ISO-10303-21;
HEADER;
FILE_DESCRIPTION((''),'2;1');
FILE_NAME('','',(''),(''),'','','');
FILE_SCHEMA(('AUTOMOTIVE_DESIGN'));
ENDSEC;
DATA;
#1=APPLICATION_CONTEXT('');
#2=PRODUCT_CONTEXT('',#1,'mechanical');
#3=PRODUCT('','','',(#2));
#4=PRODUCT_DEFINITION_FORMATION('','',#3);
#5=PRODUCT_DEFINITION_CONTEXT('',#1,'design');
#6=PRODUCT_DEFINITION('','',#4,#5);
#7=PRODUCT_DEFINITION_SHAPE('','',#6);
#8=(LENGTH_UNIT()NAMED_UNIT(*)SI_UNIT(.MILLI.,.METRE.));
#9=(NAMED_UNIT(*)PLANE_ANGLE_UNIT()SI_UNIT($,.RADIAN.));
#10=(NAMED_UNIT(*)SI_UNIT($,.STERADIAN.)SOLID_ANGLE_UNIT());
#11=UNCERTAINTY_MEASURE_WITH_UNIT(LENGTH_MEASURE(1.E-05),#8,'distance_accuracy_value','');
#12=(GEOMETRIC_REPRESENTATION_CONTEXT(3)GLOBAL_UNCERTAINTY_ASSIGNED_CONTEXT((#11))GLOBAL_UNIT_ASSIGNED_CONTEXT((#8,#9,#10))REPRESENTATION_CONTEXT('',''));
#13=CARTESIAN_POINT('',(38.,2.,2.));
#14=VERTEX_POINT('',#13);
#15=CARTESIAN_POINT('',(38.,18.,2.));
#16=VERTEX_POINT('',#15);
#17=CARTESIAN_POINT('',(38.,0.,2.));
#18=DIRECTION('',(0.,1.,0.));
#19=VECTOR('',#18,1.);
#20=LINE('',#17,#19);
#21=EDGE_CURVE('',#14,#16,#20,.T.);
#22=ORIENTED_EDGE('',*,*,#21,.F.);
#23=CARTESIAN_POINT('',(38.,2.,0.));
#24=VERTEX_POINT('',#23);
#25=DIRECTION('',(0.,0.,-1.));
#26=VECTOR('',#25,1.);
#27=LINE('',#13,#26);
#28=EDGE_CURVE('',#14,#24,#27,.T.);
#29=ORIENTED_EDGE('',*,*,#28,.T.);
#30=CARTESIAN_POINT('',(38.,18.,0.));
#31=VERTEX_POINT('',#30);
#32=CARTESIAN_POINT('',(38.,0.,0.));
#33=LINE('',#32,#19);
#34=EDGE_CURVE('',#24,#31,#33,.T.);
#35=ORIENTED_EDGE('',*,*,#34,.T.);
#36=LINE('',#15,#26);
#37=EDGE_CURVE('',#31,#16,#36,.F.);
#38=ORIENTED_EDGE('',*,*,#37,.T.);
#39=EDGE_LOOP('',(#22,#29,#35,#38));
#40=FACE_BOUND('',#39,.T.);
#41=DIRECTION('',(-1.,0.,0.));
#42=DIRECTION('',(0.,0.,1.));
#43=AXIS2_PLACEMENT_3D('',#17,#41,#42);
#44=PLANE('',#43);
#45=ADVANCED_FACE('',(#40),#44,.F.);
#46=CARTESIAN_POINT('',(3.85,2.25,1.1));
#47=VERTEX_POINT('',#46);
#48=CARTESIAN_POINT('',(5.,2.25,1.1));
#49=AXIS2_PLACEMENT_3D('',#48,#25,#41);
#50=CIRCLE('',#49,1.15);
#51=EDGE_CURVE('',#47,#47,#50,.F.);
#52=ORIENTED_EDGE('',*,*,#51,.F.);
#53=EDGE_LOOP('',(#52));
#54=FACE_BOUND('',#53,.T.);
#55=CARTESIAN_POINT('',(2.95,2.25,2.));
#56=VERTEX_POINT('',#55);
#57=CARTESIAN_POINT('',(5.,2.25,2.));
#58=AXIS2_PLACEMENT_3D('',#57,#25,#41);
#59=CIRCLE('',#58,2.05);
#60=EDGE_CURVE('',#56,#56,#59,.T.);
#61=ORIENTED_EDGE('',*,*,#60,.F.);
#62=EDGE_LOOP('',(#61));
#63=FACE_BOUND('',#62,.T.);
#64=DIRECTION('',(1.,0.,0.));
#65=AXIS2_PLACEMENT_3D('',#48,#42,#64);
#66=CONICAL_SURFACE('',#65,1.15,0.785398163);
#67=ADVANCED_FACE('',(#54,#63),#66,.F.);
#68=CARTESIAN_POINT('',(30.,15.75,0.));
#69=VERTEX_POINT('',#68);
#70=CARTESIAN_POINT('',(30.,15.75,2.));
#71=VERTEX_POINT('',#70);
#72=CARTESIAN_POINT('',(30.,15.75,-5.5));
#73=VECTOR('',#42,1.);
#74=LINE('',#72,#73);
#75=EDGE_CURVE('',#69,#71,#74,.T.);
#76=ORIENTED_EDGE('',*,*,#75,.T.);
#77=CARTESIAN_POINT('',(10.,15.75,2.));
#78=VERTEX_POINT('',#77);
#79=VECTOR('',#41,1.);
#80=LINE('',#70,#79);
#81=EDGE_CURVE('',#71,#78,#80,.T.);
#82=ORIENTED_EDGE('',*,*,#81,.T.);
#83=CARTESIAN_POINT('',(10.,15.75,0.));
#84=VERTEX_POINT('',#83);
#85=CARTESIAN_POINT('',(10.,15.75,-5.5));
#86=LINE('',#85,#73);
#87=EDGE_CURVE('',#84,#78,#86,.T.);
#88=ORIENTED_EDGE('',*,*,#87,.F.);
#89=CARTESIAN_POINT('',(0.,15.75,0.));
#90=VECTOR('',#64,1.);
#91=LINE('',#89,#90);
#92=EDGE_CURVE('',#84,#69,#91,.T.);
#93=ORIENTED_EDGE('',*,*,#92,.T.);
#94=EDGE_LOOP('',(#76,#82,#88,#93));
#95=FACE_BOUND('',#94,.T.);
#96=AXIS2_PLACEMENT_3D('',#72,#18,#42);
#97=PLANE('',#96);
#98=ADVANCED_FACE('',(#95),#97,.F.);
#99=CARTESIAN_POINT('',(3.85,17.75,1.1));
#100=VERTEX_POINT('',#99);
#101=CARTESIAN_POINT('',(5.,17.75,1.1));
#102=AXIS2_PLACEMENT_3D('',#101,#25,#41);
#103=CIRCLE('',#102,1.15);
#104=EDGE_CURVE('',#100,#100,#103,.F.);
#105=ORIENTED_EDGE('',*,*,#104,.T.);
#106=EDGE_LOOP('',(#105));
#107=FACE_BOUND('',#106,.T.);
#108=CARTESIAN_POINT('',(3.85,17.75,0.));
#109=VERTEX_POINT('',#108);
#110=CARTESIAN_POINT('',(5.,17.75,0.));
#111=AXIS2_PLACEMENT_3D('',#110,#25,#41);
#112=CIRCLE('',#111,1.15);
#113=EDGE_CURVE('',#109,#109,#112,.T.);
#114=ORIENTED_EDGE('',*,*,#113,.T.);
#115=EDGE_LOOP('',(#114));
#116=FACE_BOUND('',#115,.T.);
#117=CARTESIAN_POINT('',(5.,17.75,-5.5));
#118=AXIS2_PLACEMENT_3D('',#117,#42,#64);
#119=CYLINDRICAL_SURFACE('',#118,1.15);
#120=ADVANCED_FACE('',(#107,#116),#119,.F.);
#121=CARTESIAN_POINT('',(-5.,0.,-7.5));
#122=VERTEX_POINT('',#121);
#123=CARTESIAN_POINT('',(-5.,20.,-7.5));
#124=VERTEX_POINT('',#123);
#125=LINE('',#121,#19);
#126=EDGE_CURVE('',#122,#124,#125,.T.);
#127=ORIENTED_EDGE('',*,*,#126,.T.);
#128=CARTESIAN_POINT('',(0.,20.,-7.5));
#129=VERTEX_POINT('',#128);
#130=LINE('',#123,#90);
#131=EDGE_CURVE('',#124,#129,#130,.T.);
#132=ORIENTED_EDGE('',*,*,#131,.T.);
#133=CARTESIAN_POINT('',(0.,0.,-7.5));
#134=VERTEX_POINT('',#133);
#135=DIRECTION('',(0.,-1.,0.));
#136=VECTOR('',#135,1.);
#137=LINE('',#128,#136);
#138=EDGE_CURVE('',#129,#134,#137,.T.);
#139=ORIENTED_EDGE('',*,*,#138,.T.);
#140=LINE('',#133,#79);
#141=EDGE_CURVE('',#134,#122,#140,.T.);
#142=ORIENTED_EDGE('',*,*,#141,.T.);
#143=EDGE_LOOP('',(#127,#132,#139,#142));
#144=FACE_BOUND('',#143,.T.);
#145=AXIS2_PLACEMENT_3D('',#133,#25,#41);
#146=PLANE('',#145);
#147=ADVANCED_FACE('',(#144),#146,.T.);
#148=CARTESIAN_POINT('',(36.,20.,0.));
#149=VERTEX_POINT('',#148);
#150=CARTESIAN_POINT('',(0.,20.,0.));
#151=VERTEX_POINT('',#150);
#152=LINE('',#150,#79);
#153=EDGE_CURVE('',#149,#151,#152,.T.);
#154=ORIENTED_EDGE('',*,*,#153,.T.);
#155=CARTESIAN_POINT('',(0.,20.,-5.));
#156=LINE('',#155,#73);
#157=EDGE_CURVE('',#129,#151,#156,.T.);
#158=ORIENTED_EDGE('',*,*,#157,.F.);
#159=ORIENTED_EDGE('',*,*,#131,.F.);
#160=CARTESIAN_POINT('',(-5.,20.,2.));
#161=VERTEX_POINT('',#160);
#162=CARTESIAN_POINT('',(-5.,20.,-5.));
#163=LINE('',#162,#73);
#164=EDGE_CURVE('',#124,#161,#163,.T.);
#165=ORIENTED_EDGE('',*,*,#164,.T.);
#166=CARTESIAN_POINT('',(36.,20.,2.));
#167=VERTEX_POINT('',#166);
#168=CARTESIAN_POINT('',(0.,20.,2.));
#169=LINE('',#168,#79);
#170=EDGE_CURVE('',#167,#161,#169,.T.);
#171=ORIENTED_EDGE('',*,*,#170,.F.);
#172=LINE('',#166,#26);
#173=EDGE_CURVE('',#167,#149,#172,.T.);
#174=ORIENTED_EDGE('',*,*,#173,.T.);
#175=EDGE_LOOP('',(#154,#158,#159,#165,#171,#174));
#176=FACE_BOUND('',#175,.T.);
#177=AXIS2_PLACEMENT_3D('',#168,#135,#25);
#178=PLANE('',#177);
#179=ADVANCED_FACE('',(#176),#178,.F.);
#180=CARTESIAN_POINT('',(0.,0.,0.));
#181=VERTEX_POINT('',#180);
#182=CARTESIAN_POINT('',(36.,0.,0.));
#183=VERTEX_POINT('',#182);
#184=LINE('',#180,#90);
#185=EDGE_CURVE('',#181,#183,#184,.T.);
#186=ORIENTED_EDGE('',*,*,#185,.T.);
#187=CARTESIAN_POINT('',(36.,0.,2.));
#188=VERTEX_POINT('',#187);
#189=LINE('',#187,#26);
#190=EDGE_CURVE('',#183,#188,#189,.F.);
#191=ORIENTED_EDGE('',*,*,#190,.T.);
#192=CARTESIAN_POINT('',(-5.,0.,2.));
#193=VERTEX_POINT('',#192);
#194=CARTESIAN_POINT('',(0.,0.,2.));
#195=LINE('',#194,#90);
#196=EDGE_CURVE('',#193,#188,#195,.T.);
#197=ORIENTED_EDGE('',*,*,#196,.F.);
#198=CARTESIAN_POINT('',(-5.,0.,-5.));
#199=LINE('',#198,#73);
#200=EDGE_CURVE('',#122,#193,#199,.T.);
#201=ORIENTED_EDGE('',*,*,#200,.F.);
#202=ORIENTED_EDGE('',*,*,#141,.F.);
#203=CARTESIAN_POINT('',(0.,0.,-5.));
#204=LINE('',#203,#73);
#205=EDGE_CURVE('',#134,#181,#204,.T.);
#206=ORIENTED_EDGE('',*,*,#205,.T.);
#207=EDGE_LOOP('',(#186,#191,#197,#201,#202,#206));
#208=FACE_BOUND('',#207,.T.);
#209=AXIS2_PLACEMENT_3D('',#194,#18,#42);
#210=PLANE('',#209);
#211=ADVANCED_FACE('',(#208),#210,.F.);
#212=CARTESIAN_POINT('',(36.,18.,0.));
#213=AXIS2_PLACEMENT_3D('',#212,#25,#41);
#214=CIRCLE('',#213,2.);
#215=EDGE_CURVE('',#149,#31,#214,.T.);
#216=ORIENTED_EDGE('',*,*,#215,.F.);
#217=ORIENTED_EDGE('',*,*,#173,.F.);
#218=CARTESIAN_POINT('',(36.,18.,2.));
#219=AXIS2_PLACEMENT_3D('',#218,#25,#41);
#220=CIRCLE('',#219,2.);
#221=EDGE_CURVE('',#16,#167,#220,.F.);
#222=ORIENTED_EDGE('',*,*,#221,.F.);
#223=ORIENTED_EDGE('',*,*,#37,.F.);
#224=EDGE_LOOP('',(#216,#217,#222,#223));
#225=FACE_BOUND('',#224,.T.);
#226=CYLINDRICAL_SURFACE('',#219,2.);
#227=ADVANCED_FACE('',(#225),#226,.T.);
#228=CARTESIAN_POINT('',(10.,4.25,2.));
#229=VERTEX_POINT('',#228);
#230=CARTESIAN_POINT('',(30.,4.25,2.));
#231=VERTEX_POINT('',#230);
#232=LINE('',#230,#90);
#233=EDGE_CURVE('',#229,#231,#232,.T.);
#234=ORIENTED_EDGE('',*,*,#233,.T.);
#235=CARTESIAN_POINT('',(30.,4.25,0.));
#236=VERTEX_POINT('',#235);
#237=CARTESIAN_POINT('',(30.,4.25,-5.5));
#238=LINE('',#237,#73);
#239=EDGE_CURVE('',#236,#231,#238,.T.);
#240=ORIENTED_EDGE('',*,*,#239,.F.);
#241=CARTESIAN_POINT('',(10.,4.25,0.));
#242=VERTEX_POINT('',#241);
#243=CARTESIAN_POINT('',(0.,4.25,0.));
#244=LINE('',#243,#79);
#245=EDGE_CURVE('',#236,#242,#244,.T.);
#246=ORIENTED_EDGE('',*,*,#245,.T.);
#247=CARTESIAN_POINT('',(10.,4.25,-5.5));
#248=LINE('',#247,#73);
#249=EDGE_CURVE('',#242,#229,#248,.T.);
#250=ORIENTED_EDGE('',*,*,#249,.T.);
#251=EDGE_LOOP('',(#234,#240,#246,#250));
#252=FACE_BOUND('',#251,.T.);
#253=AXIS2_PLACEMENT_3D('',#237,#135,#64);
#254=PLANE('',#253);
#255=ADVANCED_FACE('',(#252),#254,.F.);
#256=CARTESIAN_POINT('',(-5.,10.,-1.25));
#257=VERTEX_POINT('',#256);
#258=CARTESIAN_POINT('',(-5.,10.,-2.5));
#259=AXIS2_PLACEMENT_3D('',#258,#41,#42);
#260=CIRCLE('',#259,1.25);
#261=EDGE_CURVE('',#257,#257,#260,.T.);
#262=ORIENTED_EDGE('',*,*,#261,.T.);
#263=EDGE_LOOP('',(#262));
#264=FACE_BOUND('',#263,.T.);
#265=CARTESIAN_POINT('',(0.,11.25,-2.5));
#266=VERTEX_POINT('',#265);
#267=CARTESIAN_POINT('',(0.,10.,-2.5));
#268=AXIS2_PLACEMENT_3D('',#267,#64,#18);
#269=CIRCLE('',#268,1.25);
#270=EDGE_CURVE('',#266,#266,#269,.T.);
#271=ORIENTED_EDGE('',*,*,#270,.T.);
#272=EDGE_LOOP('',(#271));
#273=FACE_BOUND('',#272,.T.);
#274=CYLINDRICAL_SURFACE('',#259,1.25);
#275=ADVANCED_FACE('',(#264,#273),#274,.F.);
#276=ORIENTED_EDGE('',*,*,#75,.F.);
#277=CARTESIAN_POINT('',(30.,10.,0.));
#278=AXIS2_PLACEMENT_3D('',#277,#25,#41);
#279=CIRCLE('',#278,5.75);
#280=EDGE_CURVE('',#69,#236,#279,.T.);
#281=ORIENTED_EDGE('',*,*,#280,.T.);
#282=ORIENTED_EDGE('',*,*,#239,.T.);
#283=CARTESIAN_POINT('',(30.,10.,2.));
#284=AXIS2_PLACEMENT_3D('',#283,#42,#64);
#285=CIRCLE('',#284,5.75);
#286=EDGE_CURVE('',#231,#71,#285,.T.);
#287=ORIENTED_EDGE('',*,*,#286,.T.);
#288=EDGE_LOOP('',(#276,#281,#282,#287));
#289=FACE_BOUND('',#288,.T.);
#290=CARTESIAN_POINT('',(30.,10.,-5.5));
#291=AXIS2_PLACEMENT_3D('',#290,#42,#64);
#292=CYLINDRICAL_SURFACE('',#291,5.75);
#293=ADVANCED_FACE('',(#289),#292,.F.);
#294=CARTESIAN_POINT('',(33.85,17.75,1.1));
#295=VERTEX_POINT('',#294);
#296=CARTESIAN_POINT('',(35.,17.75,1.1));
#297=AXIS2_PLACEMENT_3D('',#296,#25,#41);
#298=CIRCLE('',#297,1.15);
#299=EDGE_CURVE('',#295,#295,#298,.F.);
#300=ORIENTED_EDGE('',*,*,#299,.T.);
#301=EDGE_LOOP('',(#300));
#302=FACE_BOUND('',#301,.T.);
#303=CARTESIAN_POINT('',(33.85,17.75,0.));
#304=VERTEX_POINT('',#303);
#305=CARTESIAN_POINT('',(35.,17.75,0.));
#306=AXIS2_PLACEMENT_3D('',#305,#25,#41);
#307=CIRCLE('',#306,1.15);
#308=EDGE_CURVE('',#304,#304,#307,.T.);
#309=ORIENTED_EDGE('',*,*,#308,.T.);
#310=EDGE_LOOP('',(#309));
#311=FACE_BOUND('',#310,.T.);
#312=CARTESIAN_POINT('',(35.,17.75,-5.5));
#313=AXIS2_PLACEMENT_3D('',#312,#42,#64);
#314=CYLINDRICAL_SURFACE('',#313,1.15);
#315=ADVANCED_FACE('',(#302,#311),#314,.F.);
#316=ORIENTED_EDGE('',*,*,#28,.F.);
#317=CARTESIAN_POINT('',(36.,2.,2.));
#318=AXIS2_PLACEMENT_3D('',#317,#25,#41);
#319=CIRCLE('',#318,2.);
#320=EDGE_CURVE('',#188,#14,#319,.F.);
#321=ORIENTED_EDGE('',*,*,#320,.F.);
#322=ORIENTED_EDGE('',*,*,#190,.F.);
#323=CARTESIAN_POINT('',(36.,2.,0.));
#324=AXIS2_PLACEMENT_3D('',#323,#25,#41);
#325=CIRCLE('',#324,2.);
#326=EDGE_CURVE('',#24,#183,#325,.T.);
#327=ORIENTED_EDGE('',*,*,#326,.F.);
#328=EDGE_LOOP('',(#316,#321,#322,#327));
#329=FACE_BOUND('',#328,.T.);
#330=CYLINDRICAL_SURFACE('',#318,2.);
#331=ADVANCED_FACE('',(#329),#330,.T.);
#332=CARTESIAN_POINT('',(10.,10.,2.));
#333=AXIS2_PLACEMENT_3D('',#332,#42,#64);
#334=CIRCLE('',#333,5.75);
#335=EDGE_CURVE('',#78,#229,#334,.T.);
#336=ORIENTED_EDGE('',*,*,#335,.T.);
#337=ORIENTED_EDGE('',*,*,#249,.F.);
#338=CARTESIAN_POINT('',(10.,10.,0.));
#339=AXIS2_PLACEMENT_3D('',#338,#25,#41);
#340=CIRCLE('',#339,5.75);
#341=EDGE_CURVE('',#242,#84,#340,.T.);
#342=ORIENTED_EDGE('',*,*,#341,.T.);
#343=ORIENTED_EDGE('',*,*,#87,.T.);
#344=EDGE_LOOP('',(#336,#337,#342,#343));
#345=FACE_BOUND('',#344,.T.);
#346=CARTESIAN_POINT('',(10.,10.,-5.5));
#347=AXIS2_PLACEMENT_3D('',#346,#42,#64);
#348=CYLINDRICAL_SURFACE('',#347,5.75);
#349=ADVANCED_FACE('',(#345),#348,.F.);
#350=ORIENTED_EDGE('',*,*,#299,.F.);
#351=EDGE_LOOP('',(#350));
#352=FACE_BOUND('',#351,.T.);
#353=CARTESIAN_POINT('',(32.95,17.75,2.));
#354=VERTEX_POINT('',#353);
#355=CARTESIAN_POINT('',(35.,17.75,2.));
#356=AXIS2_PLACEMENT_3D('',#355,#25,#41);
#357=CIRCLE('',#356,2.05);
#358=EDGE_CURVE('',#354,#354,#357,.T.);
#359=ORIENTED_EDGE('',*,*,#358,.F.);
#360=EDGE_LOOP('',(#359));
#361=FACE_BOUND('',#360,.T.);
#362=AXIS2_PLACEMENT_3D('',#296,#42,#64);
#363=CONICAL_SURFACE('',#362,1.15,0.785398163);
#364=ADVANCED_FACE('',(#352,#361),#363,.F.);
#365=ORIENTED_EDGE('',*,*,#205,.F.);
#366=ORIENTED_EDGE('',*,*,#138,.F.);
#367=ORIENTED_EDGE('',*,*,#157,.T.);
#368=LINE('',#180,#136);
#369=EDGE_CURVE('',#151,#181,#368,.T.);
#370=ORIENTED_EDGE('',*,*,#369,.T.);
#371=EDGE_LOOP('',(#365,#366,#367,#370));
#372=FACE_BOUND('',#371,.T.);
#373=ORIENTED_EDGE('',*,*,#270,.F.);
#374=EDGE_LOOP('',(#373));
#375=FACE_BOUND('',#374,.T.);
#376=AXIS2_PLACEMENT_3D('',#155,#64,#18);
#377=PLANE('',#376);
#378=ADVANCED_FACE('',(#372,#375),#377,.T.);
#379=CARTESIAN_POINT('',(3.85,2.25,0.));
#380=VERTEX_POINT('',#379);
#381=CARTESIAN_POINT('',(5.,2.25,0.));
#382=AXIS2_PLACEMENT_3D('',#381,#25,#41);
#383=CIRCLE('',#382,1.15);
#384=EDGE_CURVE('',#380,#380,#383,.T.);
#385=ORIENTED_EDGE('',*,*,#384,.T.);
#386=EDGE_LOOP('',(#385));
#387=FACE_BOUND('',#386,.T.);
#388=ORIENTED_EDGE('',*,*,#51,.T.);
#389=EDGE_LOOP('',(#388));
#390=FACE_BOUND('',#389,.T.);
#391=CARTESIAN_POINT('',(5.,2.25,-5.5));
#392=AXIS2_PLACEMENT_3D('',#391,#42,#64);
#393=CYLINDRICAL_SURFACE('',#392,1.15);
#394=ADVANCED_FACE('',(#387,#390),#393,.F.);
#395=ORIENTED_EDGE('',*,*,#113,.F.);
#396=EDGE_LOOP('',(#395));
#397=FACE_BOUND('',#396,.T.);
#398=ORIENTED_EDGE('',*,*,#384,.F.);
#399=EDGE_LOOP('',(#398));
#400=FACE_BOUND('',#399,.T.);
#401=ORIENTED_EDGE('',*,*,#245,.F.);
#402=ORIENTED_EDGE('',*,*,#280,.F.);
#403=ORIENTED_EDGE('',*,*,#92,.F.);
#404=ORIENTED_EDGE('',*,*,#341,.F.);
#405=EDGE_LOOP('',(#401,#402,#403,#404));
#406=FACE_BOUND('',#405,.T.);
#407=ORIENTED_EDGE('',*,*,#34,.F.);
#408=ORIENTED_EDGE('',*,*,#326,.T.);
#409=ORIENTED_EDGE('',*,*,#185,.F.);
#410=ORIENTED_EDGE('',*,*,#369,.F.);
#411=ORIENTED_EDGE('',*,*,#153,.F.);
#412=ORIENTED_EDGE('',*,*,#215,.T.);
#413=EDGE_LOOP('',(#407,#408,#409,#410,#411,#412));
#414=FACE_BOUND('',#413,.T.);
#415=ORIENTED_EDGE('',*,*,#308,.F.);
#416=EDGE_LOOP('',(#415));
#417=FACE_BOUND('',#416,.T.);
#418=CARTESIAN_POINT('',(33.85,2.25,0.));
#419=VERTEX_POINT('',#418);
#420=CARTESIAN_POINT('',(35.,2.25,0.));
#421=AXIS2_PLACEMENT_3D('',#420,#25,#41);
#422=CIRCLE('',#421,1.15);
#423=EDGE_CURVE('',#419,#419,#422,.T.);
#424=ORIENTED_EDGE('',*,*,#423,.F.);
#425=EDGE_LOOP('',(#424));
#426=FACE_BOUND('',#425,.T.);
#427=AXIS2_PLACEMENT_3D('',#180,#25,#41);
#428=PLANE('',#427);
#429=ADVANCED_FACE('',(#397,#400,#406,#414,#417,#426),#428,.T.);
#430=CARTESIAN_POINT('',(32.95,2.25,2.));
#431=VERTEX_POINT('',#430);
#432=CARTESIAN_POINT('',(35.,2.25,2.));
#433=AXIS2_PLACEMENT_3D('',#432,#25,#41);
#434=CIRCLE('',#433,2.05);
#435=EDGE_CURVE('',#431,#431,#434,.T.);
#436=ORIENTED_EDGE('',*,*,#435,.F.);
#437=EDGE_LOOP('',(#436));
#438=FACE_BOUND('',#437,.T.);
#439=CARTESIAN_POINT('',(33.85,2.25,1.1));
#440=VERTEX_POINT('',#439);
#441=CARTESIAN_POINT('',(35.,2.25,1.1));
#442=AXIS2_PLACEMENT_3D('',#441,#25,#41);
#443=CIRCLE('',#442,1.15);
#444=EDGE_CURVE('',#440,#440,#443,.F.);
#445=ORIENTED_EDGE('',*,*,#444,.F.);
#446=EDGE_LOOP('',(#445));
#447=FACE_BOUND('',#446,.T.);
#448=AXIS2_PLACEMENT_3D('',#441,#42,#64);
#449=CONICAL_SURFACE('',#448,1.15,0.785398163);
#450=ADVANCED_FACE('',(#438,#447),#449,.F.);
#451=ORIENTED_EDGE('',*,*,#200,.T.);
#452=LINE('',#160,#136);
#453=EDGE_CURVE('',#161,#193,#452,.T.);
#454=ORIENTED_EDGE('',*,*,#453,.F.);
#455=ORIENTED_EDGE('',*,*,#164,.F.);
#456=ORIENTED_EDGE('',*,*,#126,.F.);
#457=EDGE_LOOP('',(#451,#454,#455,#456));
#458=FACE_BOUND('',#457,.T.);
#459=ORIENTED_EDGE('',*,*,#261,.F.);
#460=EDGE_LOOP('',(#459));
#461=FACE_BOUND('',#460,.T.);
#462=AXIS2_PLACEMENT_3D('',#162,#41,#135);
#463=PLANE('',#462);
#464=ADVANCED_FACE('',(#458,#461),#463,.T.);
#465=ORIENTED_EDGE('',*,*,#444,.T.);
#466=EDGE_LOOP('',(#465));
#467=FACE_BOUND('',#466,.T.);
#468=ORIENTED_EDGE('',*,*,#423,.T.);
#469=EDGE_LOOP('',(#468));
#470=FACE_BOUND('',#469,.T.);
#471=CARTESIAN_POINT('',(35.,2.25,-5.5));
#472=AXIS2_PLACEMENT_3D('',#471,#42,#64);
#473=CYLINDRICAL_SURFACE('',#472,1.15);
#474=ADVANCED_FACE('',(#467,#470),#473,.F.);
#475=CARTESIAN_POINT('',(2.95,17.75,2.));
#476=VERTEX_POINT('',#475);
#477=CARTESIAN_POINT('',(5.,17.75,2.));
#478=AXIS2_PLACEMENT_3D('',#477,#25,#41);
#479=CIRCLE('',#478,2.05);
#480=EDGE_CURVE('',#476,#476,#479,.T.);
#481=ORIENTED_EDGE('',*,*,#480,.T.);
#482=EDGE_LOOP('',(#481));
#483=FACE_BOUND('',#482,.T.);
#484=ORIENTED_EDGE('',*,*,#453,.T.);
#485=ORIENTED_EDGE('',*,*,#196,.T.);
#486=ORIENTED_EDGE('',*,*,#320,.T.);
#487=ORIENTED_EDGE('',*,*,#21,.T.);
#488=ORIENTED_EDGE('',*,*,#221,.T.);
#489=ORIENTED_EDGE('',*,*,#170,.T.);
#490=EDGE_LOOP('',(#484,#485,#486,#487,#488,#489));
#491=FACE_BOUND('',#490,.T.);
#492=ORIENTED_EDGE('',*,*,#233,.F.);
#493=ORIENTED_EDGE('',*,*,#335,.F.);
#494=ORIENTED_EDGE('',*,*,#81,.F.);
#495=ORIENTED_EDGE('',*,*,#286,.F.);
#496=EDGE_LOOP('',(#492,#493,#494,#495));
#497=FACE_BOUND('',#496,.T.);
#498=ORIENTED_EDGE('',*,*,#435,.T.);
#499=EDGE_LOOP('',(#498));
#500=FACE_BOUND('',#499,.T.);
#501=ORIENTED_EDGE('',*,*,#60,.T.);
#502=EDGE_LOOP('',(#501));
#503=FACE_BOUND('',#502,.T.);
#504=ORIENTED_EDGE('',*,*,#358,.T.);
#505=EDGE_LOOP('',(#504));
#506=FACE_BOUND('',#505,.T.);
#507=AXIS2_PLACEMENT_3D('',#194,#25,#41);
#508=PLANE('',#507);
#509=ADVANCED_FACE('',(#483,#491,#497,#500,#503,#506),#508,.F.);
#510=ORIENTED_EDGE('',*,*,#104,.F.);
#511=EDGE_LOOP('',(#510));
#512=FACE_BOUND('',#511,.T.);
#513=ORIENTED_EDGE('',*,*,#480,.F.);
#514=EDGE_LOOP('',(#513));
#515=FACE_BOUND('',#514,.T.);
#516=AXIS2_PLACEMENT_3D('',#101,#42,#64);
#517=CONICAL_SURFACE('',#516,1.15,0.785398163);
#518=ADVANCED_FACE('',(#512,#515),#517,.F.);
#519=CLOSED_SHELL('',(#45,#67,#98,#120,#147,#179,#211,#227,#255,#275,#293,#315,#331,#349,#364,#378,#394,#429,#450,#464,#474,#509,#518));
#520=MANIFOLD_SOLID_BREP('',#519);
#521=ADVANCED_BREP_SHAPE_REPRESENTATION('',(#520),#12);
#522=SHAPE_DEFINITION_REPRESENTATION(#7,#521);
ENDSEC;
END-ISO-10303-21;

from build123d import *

# Parameters (mm, degrees)
SKETCH1_W           = 38
SKETCH1_H           = 20
BOSS_EXTRUDE1_DEPTH = 2
SKETCH2_W           = 5
SKETCH2_H           = 20
BOSS_EXTRUDE2_DEPTH = 7
M3_TAPPED_HOLE1_D   = 2.5
SKETCH7_R           = 1.15
CUT_EXTRUDE1_DEPTH  = 7.5
CUT_EXTRUDE2_DEPTH  = 7.5
SKETCH9_W           = 5
SKETCH9_H           = 20
BOSS_EXTRUDE3_DEPTH = 2.5
FILLET1_R           = 2
CHAMFER1_SIZE       = 0.9


with BuildPart() as part:
    # Sketch1 → Boss-Extrude1 (new body)
    with BuildSketch(Plane.XY):
        with Locations((19, 10)):
            Rectangle(SKETCH1_W, SKETCH1_H)
    extrude(amount=BOSS_EXTRUDE1_DEPTH)

    # Sketch2 → Boss-Extrude2 (add)
    with BuildSketch(Plane.XY.offset(2)):
        with Locations((-2.5, 10)):
            Rectangle(SKETCH2_W, SKETCH2_H)
    extrude(amount=-BOSS_EXTRUDE2_DEPTH)

    # M3 Tapped Hole1 (through all)
    with Locations(Plane(origin=(-5, 10, -2.5), x_dir=(0, -1, 0), z_dir=(-1, 0, 0))):
        with Locations((0, 0)):
            Hole(M3_TAPPED_HOLE1_D / 2)

    # Sketch7 → Cut-Extrude1 (cut)
    with BuildSketch(Plane.XY.offset(2)):
        with Locations((35, 17.75)):
            Circle(SKETCH7_R)
        with Locations((5, 17.75)):
            Circle(SKETCH7_R)
        with Locations((35, 2.25)):
            Circle(SKETCH7_R)
        with Locations((5, 2.25)):
            Circle(SKETCH7_R)
    extrude(amount=-CUT_EXTRUDE1_DEPTH, mode=Mode.SUBTRACT)

    # Sketch8 → Cut-Extrude2 (cut)
    with BuildSketch(Plane.XY.offset(2)):
        with BuildLine():
            Line((30, 4.25), (10, 4.25))
            ThreePointArc((10, 4.25), (4.25, 10), (10, 15.75))
            Line((10, 15.75), (30, 15.75))
            ThreePointArc((30, 15.75), (35.75, 10), (30, 4.25))
        make_face()
    extrude(amount=-CUT_EXTRUDE2_DEPTH, mode=Mode.SUBTRACT)

    # Sketch9 → Boss-Extrude3 (add)
    with BuildSketch(Plane(origin=(0, 0, -5), x_dir=(-1, 0, 0), z_dir=(0, 0, -1))):
        with Locations((2.5, 10)):
            Rectangle(SKETCH9_W, SKETCH9_H)
    extrude(amount=BOSS_EXTRUDE3_DEPTH)

    # Fillet1
    fillet1_edges = [part.edges().sort_by_distance(p)[0] for p in [
        (38, 20, 1),
        (38, 0, 1),
    ]]
    fillet(fillet1_edges, radius=FILLET1_R)

    # Chamfer1
    chamfer1_edges = [part.edges().sort_by_distance(p)[0] for p in [
        (3.85, 17.75, 2),
        (33.85, 2.25, 2),
        (3.85, 2.25, 2),
        (33.85, 17.75, 2),
    ]]
    chamfer(chamfer1_edges, length=CHAMFER1_SIZE)


solid = part.part
